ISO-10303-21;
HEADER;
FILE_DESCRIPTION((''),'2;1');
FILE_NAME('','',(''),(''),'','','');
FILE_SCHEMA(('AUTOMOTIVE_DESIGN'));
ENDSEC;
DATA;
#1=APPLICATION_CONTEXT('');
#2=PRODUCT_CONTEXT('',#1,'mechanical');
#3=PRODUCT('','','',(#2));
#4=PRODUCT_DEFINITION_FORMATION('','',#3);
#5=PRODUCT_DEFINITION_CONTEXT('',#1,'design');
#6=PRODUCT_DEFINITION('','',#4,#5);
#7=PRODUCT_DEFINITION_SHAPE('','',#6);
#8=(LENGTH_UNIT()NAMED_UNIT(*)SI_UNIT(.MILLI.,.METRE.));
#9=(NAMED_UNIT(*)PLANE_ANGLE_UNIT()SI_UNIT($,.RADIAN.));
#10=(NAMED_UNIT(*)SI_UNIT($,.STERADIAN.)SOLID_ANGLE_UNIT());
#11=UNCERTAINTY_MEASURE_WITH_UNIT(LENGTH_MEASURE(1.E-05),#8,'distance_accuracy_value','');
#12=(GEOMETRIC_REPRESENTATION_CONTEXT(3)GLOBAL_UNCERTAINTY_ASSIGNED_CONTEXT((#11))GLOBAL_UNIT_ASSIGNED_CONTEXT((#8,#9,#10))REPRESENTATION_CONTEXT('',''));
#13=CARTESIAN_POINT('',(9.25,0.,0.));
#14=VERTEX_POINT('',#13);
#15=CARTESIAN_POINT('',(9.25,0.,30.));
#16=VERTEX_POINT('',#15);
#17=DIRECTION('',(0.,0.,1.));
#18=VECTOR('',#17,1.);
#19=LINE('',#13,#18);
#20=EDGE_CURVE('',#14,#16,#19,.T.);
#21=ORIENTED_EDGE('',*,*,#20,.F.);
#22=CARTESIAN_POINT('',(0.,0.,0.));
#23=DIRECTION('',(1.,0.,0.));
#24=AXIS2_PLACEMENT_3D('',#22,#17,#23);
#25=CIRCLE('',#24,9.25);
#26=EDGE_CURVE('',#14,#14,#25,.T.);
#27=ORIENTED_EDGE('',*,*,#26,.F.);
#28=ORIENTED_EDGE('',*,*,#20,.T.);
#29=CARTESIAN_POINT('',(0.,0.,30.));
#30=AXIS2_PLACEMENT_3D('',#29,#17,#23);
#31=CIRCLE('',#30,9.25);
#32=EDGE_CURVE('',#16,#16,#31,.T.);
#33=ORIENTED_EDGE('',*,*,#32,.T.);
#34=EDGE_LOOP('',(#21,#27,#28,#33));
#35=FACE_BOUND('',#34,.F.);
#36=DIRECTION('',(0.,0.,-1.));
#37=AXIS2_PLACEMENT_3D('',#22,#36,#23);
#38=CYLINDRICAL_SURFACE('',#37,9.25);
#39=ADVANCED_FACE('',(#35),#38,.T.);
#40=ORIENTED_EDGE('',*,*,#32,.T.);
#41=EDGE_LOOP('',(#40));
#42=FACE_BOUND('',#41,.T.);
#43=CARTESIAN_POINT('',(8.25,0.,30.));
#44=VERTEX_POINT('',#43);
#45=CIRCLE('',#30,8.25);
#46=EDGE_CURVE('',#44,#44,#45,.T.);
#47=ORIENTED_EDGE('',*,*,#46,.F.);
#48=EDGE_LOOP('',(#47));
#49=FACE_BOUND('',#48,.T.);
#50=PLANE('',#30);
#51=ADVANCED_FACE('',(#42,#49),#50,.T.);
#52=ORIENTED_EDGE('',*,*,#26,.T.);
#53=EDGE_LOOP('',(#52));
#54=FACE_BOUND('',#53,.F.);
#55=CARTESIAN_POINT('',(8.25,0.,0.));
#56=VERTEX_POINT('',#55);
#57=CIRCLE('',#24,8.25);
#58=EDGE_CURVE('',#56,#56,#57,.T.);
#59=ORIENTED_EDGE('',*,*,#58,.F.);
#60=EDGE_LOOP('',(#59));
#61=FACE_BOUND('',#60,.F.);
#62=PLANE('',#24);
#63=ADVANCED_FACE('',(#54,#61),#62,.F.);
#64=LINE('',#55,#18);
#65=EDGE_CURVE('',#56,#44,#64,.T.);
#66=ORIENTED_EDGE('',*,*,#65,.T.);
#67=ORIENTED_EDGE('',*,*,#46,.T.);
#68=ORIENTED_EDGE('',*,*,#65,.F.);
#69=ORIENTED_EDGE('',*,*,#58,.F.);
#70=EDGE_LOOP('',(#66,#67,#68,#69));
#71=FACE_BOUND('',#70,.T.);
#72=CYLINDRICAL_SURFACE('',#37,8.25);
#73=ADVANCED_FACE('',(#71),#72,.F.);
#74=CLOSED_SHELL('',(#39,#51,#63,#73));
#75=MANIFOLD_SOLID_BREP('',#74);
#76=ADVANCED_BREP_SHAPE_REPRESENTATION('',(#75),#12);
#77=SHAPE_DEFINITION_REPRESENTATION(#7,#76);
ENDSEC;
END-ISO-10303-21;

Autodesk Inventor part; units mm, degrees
ref_plane "YZ Plane" through (0, 0, 0) normal (1, 0, 0) x (0, 1, 0)
ref_plane "XZ Plane" through (0, 0, 0) normal (0, 1, 0) x (-1, 0, 0)
ref_plane "XY Plane" through (0, 0, 0) normal (0, 0, 1) x (1, 0, 0)
sketch "スケッチ1" plane through (0, 0, 0) normal (0, 0, 1) x (1, 0, 0)
  circle A0 centre (0, 0) radius 8.25
  circle A1 centre (0, 0) radius 9.25
  dimension "d0" = 16.5
  dimension "d1" = 18.5
extrude "押し出し1" add sketch "スケッチ1" along normal blind 30
properties part number "PingExt"
